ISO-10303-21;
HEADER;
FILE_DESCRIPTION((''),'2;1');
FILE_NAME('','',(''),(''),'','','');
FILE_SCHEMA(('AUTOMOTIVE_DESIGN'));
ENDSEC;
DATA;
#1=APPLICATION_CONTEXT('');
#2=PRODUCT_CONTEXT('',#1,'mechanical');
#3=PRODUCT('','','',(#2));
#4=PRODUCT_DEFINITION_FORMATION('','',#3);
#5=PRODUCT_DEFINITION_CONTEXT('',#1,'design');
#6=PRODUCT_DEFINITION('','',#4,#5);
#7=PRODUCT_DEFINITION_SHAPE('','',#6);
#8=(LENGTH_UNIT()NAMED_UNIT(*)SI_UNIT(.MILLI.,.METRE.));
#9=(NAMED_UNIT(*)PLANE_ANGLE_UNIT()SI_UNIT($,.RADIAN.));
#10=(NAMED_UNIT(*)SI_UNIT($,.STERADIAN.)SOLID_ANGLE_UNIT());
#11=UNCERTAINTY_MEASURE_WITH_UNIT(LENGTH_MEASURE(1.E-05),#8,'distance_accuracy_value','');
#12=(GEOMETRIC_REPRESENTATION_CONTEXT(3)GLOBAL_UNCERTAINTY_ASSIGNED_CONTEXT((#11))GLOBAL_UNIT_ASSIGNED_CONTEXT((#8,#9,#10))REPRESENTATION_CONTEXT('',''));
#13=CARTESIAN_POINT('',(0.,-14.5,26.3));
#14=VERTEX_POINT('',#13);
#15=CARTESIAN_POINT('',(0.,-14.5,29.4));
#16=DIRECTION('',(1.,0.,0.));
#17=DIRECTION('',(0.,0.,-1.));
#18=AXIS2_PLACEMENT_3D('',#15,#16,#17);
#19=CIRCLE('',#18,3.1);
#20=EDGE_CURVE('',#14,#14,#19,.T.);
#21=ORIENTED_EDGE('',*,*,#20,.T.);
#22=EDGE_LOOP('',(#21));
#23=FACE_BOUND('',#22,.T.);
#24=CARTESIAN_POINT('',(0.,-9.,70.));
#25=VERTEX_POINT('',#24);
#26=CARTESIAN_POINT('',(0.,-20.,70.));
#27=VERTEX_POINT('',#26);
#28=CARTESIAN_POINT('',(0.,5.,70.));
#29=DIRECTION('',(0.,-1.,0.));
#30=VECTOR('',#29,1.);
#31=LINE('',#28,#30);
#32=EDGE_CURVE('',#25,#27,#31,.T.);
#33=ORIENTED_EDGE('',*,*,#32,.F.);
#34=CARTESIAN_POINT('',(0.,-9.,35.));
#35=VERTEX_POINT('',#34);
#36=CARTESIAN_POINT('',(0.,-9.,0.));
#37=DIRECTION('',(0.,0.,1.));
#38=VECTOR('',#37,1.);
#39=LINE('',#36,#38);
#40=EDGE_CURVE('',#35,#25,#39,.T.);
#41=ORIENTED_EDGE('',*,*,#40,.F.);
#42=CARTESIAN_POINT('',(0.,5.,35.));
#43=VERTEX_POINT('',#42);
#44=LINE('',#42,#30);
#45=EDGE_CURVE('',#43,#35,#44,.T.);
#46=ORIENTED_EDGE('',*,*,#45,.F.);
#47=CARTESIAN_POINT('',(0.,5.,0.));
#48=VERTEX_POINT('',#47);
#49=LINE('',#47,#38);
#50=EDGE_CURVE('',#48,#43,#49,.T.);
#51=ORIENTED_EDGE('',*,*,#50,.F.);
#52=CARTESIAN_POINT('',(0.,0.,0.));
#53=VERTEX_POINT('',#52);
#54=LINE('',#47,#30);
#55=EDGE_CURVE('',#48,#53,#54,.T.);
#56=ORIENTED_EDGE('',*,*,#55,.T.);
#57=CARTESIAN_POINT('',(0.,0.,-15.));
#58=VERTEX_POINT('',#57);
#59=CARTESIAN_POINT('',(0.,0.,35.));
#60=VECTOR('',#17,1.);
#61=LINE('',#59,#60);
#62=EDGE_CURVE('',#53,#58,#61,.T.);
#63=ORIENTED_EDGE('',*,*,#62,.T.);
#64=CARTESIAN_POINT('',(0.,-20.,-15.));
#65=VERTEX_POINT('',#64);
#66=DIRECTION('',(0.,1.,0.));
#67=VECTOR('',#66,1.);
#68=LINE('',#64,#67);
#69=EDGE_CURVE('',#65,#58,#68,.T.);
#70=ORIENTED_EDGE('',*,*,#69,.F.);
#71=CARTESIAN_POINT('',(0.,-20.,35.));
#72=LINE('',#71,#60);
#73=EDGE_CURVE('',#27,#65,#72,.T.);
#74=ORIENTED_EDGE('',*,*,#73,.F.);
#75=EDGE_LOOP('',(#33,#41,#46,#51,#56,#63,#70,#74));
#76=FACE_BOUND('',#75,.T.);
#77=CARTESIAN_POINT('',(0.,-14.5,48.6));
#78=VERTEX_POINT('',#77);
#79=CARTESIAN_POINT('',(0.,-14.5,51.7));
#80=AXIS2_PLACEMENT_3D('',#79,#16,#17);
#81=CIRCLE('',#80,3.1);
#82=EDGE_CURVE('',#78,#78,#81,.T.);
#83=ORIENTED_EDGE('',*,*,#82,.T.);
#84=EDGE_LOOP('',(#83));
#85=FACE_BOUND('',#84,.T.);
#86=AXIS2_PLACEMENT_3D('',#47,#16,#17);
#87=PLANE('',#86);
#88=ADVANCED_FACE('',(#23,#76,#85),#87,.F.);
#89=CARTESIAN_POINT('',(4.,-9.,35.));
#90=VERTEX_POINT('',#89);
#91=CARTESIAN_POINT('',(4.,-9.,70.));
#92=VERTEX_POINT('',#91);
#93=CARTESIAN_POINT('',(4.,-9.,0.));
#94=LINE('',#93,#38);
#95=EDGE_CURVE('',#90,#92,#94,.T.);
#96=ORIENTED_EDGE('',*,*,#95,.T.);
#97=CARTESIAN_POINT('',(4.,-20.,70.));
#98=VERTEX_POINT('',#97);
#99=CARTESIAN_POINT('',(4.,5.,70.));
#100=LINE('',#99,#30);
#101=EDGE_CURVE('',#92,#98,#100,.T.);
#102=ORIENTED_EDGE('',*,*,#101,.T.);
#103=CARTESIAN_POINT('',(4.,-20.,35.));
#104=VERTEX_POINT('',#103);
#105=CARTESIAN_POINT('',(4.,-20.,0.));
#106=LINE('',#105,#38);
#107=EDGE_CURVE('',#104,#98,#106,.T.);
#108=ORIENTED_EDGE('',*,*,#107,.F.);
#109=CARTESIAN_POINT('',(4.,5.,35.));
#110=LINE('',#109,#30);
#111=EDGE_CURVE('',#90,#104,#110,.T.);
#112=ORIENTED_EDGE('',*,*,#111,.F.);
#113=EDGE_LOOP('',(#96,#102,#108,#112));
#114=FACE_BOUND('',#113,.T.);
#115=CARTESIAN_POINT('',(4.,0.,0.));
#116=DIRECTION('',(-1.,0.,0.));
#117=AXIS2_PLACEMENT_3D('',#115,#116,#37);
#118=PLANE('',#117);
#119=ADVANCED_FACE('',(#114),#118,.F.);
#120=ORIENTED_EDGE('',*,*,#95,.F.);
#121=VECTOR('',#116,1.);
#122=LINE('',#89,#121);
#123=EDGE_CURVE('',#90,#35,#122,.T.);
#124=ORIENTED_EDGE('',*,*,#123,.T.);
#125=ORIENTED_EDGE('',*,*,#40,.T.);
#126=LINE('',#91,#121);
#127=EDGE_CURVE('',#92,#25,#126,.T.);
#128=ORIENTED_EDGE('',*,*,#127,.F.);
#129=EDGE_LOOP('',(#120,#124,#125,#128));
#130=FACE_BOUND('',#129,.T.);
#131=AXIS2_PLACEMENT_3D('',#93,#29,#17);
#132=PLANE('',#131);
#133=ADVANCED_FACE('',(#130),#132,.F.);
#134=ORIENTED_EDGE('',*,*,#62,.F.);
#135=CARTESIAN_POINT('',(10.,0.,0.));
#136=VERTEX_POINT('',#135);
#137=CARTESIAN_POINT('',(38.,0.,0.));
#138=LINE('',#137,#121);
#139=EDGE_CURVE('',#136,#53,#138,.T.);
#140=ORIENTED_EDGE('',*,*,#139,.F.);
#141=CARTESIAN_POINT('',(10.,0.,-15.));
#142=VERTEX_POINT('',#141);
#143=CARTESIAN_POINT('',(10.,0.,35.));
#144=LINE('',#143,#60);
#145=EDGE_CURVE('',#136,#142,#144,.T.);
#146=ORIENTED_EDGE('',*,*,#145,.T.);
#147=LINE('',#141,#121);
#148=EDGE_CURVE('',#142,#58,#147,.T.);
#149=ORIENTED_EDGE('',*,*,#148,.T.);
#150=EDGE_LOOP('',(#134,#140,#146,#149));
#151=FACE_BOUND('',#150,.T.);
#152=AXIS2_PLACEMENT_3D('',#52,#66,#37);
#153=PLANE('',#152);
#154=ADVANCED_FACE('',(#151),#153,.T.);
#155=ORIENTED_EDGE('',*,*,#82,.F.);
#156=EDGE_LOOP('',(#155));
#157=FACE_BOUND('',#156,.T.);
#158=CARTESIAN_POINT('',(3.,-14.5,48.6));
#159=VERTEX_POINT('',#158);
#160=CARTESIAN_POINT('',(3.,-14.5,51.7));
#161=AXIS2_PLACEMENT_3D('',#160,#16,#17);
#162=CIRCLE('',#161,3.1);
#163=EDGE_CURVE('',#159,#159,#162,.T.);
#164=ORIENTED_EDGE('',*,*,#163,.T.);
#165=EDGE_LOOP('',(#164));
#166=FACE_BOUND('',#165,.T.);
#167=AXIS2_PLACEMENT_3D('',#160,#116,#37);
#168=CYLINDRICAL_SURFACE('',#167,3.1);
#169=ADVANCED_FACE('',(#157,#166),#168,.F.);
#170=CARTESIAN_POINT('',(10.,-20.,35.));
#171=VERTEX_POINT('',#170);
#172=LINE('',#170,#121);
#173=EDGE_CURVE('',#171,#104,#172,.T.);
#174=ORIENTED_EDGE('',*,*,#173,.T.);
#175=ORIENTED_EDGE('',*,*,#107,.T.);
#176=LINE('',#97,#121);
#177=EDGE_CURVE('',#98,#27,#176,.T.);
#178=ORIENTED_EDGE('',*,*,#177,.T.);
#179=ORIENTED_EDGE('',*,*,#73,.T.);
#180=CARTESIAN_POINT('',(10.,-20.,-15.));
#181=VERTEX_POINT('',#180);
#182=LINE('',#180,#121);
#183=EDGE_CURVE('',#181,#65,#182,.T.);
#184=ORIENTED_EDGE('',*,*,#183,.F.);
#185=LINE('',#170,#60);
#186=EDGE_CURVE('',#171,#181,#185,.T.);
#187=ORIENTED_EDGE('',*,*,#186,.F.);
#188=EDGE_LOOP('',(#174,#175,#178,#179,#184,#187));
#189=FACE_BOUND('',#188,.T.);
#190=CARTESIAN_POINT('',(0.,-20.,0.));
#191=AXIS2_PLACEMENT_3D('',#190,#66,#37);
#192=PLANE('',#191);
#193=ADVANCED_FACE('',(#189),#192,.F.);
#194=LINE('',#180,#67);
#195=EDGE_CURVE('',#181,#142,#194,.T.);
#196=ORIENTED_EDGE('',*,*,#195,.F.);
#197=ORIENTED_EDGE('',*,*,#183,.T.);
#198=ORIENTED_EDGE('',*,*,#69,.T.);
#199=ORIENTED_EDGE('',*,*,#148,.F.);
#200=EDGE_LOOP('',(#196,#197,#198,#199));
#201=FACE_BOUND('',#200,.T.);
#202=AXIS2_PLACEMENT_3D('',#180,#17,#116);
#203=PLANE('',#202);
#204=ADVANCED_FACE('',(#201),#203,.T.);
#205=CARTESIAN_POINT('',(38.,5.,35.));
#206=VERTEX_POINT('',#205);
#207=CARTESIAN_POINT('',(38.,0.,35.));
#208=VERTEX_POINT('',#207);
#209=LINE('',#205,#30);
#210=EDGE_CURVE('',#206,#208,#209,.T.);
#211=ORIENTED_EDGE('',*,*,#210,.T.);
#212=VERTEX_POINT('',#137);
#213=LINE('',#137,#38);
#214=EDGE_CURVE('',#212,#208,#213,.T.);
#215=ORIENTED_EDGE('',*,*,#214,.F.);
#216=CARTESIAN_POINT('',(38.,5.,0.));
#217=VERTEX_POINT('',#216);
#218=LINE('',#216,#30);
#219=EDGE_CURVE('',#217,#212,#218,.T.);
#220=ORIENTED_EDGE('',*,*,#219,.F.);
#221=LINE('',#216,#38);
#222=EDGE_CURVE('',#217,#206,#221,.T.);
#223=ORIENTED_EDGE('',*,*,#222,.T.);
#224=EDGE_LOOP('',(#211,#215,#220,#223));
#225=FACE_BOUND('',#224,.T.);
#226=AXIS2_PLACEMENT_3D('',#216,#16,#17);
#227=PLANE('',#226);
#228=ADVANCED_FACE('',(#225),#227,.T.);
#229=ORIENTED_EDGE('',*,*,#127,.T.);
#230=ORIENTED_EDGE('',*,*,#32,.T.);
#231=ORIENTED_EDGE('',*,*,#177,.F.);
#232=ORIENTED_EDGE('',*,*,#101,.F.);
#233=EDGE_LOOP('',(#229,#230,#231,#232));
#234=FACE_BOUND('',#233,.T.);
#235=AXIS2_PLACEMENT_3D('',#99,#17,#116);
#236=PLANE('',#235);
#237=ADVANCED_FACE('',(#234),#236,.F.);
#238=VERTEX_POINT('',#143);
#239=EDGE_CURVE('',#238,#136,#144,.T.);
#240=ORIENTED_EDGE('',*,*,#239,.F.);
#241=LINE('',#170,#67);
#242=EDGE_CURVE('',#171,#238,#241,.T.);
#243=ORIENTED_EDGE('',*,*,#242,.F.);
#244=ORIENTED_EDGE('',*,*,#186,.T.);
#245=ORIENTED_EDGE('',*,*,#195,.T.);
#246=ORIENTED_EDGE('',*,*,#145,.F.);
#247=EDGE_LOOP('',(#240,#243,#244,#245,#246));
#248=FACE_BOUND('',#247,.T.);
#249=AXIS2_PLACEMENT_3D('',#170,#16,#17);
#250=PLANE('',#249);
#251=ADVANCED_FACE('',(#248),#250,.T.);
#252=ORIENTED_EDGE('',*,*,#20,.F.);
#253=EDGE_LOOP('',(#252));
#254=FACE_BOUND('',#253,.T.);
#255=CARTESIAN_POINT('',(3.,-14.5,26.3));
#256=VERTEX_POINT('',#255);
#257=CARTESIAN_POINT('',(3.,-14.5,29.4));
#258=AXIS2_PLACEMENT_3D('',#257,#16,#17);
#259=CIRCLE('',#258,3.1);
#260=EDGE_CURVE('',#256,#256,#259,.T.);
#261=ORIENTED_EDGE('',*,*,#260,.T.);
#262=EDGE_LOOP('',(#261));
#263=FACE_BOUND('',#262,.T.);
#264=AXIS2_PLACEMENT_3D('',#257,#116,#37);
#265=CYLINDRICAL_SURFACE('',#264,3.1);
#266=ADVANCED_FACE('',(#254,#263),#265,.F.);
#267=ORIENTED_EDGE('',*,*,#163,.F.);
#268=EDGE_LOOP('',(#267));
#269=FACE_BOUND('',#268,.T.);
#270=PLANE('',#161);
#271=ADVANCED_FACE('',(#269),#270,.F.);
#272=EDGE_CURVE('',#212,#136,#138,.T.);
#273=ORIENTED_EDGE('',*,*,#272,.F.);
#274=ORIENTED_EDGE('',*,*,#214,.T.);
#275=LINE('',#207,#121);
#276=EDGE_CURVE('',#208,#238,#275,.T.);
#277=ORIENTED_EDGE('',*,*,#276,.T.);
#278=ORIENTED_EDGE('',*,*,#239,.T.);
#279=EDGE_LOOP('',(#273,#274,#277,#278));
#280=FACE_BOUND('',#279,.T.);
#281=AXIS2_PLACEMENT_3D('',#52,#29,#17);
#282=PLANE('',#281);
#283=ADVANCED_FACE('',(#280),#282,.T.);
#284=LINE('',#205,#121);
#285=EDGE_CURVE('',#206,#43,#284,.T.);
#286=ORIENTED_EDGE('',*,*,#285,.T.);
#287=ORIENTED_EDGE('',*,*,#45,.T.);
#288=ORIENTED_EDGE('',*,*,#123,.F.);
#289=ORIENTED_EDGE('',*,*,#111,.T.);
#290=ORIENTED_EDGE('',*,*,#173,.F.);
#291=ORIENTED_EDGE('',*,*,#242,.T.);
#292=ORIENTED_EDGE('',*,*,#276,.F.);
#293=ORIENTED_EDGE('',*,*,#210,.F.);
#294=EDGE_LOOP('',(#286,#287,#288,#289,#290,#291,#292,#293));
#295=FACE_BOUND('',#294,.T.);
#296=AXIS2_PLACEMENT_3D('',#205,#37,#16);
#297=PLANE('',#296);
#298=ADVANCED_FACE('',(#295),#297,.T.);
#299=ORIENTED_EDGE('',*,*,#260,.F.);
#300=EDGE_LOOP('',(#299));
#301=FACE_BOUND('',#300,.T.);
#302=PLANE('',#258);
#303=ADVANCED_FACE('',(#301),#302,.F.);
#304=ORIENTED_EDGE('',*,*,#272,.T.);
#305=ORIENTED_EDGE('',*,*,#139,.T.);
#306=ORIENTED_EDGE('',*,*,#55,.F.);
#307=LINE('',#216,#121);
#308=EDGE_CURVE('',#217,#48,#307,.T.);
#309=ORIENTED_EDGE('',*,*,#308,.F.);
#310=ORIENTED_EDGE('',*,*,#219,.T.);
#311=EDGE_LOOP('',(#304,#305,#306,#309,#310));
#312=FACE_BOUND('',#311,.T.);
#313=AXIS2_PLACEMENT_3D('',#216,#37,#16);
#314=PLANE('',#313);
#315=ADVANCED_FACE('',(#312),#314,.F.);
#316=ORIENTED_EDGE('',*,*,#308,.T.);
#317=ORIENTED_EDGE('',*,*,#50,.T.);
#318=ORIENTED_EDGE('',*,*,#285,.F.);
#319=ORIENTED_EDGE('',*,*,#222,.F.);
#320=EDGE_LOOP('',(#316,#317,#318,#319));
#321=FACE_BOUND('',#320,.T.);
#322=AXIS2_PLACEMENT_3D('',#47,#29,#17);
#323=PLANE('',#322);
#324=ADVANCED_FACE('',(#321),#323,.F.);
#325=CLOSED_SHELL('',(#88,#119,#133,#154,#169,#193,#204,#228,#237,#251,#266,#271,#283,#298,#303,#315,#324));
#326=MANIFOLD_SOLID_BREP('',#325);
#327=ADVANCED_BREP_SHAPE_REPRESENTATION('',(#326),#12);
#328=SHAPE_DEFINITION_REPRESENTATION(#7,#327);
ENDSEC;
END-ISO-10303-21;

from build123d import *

# Parameters (mm, degrees)
SKETCH_1_W          = 38
SKETCH_1_H          = 35
EXTRUDE_1_DEPTH     = 5
SKETCH_1_14_W       = 10
SKETCH_1_14_H       = 50
EXTRUDE_2_DEPTH     = 20
EXTRUDE_START       = -10
SKETCH_2_W          = 35
SKETCH_2_H          = 11
EXTRUDE_3_DEPTH     = 4
CUT_EXTRUDE_START   = -10
SKETCH_2_3_R        = 3.1
CUT_EXTRUDE_1_DEPTH = 3


with BuildPart() as part:
    # 草图1 → 凸台-拉伸1 (new body)
    with BuildSketch(Plane(origin=(0, 0, 0), x_dir=(1, 0, 0), z_dir=(0, 1, 0))):
        with Locations((19, -17.5)):
            Rectangle(SKETCH_1_W, SKETCH_1_H)
    extrude(amount=EXTRUDE_1_DEPTH)

    # 草图1<14> → 凸台-拉伸2 (add)
    with BuildSketch(Plane(origin=(0, 0, 0), x_dir=(1, 0, 0), z_dir=(0, 1, 0))):
        with Locations((5, -10)):
            Rectangle(SKETCH_1_14_W, SKETCH_1_14_H)
    extrude(amount=-EXTRUDE_2_DEPTH)

    # 草图2 → 凸台-拉伸3 (add)
    with BuildSketch(Plane(origin=(10, 0, 0), x_dir=(0, 0, -1), z_dir=(1, 0, 0)).offset(EXTRUDE_START)):
        with Locations((-52.5, -14.5)):
            Rectangle(SKETCH_2_W, SKETCH_2_H)
    extrude(amount=EXTRUDE_3_DEPTH)

    # 草图2<3> → 切除-拉伸1 (cut)
    with BuildSketch(Plane(origin=(10, 0, 0), x_dir=(0, 0, -1), z_dir=(1, 0, 0)).offset(CUT_EXTRUDE_START)):
        with Locations((-29.4, -14.5)):
            Circle(SKETCH_2_3_R)
        with Locations((-51.7, -14.5)):
            Circle(SKETCH_2_3_R)
    extrude(amount=CUT_EXTRUDE_1_DEPTH, mode=Mode.SUBTRACT)


solid = part.part
